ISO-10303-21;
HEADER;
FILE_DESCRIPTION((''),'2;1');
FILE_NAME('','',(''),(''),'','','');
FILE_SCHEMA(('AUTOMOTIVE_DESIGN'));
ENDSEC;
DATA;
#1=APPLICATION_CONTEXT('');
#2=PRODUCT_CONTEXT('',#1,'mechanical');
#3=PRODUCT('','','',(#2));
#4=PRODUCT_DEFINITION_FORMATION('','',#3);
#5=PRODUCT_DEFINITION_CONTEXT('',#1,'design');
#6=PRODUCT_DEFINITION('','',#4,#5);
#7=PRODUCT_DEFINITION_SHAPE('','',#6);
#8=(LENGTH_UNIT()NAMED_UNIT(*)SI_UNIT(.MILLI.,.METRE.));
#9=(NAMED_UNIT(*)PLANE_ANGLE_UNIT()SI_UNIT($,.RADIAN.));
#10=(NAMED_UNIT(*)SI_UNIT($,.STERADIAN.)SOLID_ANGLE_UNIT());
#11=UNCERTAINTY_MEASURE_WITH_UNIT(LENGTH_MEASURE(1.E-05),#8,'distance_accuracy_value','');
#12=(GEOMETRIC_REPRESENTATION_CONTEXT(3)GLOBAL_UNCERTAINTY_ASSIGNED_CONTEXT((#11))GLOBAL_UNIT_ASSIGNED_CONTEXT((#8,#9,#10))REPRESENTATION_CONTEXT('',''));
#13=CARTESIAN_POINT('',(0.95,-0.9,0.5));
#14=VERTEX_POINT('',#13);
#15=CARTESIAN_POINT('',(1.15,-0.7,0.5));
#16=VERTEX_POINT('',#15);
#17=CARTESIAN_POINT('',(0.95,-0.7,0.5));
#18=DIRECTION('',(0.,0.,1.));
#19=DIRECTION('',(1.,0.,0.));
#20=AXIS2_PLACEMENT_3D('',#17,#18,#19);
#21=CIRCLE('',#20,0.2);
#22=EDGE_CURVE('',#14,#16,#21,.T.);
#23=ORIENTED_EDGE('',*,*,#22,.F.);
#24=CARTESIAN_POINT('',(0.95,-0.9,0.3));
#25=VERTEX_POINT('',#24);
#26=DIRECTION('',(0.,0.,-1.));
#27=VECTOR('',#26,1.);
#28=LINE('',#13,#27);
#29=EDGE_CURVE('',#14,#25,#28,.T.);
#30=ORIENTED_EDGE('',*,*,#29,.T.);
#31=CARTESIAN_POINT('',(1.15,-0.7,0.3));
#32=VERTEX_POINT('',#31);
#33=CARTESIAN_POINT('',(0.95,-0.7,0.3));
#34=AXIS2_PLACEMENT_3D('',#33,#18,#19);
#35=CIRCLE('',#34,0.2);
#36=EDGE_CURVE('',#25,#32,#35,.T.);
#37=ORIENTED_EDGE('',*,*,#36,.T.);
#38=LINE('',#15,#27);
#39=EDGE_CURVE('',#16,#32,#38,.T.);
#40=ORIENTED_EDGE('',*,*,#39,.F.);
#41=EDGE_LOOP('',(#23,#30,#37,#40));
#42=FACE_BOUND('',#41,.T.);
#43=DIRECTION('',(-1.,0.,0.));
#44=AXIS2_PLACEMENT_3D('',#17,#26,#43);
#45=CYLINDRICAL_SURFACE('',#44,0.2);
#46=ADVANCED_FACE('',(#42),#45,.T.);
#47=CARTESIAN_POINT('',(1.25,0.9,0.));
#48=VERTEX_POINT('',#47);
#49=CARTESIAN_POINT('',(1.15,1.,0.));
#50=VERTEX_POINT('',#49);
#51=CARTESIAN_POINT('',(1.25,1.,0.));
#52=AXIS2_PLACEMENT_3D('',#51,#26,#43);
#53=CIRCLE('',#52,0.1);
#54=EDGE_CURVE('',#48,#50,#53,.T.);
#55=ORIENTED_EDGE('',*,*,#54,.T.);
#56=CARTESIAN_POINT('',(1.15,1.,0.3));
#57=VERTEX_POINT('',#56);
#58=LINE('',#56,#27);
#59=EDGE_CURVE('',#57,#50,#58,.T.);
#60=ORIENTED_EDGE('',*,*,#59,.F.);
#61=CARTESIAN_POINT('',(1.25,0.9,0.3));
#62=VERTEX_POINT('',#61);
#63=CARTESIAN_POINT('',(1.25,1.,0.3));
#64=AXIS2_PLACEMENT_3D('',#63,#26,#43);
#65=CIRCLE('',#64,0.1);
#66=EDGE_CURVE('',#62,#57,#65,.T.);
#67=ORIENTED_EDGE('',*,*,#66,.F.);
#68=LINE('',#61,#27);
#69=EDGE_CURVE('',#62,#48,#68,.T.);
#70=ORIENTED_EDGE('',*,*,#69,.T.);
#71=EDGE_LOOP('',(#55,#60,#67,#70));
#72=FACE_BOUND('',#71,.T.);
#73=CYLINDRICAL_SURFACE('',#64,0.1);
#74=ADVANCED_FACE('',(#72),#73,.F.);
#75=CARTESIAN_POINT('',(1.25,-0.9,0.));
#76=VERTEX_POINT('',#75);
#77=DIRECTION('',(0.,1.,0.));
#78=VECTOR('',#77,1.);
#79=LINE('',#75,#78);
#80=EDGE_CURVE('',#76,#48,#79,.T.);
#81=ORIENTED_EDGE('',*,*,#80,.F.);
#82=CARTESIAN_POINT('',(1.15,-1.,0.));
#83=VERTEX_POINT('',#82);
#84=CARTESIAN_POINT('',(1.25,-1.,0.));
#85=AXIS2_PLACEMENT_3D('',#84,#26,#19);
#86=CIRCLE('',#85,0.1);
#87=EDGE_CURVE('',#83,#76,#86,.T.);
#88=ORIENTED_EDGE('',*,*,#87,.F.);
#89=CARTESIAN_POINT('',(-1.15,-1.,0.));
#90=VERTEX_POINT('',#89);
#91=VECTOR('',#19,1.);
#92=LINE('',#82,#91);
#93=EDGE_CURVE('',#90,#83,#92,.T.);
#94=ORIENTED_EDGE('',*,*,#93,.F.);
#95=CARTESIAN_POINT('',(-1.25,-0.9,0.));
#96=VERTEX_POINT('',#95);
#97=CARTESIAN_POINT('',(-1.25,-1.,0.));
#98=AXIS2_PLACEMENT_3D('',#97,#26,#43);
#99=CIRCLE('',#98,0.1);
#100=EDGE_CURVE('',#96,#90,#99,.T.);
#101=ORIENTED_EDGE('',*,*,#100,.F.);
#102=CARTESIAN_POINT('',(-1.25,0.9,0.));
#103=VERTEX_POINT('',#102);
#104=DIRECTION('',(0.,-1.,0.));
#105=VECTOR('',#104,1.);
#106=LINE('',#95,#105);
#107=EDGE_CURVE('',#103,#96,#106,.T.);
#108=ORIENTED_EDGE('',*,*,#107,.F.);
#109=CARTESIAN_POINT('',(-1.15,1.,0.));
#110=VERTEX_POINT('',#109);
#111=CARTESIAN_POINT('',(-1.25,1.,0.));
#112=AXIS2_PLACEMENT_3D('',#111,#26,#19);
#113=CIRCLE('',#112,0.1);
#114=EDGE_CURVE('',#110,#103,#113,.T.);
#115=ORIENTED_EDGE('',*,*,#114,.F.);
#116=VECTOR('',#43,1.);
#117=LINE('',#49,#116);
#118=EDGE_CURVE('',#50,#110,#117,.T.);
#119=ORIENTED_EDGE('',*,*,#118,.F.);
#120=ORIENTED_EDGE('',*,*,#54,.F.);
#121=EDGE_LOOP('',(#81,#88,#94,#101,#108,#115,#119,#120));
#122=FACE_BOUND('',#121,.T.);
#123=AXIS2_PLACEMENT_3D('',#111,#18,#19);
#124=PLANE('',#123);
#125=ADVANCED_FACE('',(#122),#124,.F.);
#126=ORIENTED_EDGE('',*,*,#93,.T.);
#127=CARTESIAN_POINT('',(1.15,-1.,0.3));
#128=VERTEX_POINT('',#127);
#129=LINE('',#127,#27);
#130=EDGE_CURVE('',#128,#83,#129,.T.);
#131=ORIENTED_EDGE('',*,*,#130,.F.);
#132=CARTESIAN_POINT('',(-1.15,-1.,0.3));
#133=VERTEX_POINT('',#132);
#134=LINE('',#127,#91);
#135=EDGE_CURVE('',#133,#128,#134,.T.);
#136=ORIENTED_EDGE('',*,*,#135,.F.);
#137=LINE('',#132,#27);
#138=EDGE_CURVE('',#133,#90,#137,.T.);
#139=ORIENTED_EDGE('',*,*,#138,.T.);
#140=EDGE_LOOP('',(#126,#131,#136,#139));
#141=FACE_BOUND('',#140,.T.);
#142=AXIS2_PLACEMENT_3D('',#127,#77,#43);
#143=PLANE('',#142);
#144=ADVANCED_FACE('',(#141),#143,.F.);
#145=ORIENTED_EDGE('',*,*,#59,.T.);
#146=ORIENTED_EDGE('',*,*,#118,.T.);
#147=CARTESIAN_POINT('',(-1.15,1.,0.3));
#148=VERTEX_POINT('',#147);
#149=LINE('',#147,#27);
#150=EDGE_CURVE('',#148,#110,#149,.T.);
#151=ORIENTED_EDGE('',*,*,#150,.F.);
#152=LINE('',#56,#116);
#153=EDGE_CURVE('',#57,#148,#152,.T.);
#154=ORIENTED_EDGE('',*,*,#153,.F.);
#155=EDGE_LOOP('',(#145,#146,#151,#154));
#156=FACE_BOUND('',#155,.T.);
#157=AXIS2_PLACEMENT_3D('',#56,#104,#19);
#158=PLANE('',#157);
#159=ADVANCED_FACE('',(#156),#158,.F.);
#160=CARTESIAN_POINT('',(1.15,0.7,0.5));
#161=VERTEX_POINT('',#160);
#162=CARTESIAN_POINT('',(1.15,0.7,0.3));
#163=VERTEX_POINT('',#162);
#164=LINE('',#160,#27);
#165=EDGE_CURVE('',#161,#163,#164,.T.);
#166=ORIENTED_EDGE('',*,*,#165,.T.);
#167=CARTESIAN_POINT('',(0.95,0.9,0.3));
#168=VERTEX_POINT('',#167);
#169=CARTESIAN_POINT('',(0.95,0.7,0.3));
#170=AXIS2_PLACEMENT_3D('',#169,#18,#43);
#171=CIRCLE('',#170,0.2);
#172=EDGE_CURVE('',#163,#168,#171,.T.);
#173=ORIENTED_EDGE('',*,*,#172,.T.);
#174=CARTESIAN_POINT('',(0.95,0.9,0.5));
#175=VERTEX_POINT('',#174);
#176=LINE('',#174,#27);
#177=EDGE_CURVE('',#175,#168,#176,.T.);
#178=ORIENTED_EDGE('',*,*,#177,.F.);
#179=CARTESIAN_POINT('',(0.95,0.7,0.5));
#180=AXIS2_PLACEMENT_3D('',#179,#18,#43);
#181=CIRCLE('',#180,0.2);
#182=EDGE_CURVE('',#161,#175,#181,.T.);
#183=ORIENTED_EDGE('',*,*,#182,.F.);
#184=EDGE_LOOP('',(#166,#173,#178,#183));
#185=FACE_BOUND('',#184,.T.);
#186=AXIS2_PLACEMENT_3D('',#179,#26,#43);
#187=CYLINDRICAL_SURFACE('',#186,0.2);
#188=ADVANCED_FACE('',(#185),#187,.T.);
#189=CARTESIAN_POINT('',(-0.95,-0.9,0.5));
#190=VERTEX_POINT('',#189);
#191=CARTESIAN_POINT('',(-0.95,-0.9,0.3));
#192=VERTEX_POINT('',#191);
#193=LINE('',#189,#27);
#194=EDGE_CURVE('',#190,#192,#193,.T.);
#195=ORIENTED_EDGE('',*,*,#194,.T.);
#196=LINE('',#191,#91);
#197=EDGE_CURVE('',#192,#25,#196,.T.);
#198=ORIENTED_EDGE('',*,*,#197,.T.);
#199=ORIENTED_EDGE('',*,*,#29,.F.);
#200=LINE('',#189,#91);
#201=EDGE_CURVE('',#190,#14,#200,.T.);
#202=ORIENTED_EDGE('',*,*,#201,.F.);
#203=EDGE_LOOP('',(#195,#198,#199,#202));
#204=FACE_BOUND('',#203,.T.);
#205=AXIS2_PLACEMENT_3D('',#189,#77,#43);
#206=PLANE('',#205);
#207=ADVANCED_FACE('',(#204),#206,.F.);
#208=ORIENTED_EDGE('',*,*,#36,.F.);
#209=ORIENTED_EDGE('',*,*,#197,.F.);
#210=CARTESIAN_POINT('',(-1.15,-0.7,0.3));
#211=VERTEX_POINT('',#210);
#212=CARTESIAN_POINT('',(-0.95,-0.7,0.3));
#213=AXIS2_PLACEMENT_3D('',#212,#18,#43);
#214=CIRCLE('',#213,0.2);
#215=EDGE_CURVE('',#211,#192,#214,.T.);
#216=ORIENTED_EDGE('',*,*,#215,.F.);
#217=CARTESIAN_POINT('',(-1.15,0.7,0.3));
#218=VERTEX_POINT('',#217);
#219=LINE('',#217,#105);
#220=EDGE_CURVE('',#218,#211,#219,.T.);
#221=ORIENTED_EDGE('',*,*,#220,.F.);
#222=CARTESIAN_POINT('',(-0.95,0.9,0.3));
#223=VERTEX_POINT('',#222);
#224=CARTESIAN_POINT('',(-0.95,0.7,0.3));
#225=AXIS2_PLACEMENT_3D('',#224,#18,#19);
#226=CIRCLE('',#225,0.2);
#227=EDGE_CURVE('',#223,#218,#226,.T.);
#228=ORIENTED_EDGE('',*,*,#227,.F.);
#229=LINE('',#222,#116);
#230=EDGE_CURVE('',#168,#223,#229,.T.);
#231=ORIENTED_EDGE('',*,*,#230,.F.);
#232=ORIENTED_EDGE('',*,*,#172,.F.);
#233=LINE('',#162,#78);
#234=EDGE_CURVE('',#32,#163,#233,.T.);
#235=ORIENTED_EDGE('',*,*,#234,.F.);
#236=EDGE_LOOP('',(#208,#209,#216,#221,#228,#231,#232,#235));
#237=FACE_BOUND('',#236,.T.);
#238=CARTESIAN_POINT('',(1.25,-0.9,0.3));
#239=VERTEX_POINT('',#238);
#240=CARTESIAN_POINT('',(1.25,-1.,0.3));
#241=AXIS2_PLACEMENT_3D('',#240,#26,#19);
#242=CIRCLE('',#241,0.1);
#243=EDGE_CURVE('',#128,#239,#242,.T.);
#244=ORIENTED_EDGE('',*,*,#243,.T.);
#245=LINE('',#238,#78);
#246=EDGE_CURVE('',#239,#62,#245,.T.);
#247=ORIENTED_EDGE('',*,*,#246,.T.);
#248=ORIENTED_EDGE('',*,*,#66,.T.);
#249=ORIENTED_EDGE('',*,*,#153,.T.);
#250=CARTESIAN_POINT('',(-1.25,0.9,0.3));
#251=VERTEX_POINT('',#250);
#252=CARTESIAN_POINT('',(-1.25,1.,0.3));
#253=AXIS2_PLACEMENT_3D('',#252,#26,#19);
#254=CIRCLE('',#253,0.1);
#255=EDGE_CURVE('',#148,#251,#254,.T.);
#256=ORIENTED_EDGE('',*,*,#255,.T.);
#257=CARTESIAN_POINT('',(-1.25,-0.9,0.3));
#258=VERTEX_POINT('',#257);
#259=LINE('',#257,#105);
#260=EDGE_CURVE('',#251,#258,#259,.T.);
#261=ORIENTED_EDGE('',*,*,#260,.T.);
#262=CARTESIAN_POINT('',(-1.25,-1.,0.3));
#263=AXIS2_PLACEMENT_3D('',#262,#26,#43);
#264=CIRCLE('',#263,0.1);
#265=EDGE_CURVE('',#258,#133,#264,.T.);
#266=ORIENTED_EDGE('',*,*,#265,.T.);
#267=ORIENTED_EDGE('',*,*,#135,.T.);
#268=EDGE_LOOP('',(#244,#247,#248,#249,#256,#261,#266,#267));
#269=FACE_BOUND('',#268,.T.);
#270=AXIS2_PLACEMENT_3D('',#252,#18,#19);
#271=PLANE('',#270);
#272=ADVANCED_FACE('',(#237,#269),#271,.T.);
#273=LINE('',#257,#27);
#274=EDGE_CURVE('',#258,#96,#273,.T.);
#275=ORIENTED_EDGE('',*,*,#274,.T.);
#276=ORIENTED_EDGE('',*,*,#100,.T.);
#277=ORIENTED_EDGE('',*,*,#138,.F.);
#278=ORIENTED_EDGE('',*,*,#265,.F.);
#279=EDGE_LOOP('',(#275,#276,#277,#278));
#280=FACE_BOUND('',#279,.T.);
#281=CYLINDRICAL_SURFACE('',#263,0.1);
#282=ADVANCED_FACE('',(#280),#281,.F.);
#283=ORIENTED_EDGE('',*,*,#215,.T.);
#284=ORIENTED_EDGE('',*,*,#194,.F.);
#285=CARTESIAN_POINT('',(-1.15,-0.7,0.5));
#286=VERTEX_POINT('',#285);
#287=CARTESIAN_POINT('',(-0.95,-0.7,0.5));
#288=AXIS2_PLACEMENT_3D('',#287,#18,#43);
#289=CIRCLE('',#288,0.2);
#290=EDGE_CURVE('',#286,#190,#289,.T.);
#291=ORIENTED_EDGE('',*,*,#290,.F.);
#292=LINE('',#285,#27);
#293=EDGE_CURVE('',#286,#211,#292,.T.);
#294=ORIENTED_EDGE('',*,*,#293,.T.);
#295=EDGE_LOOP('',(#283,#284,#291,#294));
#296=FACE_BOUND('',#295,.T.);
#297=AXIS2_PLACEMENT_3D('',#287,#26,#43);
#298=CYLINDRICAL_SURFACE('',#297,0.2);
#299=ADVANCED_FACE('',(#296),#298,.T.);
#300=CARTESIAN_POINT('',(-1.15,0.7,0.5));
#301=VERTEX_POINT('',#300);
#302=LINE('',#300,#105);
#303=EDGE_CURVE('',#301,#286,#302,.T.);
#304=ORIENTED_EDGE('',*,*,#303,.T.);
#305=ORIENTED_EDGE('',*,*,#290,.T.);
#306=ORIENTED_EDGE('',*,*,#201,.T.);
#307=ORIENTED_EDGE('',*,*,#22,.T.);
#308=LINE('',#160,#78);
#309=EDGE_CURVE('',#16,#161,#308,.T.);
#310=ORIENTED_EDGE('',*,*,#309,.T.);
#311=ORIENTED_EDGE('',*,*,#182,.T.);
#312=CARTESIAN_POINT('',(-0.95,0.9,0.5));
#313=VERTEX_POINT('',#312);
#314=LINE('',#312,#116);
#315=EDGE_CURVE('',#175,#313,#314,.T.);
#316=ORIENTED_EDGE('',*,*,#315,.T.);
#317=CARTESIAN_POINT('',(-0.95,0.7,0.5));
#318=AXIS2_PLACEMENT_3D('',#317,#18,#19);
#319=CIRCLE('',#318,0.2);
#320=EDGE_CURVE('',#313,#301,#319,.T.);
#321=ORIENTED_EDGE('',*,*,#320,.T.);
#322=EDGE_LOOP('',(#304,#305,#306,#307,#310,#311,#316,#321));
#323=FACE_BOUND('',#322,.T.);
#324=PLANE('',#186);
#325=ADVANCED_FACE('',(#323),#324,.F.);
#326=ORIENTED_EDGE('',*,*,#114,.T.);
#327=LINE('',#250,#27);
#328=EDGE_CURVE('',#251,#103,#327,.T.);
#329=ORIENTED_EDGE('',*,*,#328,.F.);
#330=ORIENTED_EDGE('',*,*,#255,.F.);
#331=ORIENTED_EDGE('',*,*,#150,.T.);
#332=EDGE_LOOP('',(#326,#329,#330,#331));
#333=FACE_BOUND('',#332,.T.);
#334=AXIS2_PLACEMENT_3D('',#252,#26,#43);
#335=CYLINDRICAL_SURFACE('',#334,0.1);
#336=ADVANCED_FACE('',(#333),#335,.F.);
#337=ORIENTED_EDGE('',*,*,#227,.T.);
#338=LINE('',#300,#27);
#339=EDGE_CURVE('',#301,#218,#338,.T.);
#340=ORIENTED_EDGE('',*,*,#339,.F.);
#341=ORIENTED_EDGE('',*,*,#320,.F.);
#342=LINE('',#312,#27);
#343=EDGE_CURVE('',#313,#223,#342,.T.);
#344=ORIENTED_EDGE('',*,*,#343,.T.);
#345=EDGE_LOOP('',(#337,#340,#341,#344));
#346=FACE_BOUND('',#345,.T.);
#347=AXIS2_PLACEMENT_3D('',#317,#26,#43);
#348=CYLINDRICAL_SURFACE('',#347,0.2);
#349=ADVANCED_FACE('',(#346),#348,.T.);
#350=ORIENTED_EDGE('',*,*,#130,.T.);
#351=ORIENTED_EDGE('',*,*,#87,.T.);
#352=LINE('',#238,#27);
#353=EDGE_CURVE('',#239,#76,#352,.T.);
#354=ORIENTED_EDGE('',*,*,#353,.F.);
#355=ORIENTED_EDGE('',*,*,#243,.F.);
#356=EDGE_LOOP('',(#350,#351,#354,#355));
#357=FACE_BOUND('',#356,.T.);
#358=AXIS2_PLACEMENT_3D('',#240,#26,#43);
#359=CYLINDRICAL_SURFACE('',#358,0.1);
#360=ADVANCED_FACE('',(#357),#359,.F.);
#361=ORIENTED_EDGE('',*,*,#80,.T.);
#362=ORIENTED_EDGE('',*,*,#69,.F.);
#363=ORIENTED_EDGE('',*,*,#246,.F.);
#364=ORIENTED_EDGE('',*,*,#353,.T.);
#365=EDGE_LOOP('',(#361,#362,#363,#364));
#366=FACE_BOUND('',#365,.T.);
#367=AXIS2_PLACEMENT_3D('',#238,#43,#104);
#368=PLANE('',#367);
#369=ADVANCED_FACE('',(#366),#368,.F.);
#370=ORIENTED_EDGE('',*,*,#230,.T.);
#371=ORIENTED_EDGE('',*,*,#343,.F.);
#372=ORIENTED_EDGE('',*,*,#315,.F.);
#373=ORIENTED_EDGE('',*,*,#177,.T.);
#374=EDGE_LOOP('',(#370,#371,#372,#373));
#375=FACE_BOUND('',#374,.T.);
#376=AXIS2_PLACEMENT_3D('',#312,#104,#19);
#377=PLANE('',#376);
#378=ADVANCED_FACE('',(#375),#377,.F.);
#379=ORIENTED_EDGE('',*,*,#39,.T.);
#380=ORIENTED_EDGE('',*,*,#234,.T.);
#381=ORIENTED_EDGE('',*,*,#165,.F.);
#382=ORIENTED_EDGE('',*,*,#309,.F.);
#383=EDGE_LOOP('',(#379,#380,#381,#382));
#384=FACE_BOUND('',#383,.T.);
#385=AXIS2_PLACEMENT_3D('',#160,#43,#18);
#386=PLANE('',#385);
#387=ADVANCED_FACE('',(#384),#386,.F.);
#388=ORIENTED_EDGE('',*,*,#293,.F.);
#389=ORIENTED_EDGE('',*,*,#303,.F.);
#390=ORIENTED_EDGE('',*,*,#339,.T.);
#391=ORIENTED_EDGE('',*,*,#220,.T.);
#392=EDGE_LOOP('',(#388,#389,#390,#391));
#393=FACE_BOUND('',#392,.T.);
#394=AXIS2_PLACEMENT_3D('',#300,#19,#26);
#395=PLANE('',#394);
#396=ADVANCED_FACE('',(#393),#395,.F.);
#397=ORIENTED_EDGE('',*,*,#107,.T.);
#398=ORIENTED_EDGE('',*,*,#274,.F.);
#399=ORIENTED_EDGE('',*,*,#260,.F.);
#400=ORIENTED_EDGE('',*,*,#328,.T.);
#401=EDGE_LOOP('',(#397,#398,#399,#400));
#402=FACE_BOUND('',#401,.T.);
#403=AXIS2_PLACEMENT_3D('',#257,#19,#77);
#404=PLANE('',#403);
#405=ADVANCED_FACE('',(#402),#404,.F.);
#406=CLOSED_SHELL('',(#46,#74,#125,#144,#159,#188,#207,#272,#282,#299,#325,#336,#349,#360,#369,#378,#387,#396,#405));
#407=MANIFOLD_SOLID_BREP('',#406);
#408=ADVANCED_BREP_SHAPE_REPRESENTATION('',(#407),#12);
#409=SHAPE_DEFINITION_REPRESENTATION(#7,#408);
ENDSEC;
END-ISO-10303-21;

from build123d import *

# Parameters (mm, degrees)
SEMELLE_DEPTH   = 0.3
COUVERCLE_DEPTH = 0.2


with BuildPart() as part:
    # Esquisse1 → semelle (new body)
    with BuildSketch(Plane.XY):
        with BuildLine():
            Line((-1.25, -0.9), (-1.25, 0.9))
            ThreePointArc((-1.25, 0.9), (-1.179289322, 0.929289322), (-1.15, 1))
            Line((-1.15, 1), (1.15, 1))
            ThreePointArc((1.15, 1), (1.179289322, 0.929289322), (1.25, 0.9))
            Line((1.25, 0.9), (1.25, -0.9))
            ThreePointArc((1.25, -0.9), (1.179289322, -0.929289322), (1.15, -1))
            Line((1.15, -1), (-1.15, -1))
            ThreePointArc((-1.15, -1), (-1.179289322, -0.929289322), (-1.25, -0.9))
        make_face()
    extrude(amount=SEMELLE_DEPTH)

    # Esquisse2 → couvercle (add)
    with BuildSketch(Plane.XY.offset(0.3)):
        with BuildLine():
            Line((-0.95, 0.9), (0.95, 0.9))
            ThreePointArc((0.95, 0.9), (1.091421356, 0.841421356), (1.15, 0.7))
            Line((1.15, 0.7), (1.15, -0.7))
            ThreePointArc((1.15, -0.7), (1.091421356, -0.841421356), (0.95, -0.9))
            Line((0.95, -0.9), (-0.95, -0.9))
            ThreePointArc((-0.95, -0.9), (-1.091421356, -0.841421356), (-1.15, -0.7))
            Line((-1.15, -0.7), (-1.15, 0.7))
            ThreePointArc((-1.15, 0.7), (-1.091421356, 0.841421356), (-0.95, 0.9))
        make_face()
    extrude(amount=COUVERCLE_DEPTH)


solid = part.part
